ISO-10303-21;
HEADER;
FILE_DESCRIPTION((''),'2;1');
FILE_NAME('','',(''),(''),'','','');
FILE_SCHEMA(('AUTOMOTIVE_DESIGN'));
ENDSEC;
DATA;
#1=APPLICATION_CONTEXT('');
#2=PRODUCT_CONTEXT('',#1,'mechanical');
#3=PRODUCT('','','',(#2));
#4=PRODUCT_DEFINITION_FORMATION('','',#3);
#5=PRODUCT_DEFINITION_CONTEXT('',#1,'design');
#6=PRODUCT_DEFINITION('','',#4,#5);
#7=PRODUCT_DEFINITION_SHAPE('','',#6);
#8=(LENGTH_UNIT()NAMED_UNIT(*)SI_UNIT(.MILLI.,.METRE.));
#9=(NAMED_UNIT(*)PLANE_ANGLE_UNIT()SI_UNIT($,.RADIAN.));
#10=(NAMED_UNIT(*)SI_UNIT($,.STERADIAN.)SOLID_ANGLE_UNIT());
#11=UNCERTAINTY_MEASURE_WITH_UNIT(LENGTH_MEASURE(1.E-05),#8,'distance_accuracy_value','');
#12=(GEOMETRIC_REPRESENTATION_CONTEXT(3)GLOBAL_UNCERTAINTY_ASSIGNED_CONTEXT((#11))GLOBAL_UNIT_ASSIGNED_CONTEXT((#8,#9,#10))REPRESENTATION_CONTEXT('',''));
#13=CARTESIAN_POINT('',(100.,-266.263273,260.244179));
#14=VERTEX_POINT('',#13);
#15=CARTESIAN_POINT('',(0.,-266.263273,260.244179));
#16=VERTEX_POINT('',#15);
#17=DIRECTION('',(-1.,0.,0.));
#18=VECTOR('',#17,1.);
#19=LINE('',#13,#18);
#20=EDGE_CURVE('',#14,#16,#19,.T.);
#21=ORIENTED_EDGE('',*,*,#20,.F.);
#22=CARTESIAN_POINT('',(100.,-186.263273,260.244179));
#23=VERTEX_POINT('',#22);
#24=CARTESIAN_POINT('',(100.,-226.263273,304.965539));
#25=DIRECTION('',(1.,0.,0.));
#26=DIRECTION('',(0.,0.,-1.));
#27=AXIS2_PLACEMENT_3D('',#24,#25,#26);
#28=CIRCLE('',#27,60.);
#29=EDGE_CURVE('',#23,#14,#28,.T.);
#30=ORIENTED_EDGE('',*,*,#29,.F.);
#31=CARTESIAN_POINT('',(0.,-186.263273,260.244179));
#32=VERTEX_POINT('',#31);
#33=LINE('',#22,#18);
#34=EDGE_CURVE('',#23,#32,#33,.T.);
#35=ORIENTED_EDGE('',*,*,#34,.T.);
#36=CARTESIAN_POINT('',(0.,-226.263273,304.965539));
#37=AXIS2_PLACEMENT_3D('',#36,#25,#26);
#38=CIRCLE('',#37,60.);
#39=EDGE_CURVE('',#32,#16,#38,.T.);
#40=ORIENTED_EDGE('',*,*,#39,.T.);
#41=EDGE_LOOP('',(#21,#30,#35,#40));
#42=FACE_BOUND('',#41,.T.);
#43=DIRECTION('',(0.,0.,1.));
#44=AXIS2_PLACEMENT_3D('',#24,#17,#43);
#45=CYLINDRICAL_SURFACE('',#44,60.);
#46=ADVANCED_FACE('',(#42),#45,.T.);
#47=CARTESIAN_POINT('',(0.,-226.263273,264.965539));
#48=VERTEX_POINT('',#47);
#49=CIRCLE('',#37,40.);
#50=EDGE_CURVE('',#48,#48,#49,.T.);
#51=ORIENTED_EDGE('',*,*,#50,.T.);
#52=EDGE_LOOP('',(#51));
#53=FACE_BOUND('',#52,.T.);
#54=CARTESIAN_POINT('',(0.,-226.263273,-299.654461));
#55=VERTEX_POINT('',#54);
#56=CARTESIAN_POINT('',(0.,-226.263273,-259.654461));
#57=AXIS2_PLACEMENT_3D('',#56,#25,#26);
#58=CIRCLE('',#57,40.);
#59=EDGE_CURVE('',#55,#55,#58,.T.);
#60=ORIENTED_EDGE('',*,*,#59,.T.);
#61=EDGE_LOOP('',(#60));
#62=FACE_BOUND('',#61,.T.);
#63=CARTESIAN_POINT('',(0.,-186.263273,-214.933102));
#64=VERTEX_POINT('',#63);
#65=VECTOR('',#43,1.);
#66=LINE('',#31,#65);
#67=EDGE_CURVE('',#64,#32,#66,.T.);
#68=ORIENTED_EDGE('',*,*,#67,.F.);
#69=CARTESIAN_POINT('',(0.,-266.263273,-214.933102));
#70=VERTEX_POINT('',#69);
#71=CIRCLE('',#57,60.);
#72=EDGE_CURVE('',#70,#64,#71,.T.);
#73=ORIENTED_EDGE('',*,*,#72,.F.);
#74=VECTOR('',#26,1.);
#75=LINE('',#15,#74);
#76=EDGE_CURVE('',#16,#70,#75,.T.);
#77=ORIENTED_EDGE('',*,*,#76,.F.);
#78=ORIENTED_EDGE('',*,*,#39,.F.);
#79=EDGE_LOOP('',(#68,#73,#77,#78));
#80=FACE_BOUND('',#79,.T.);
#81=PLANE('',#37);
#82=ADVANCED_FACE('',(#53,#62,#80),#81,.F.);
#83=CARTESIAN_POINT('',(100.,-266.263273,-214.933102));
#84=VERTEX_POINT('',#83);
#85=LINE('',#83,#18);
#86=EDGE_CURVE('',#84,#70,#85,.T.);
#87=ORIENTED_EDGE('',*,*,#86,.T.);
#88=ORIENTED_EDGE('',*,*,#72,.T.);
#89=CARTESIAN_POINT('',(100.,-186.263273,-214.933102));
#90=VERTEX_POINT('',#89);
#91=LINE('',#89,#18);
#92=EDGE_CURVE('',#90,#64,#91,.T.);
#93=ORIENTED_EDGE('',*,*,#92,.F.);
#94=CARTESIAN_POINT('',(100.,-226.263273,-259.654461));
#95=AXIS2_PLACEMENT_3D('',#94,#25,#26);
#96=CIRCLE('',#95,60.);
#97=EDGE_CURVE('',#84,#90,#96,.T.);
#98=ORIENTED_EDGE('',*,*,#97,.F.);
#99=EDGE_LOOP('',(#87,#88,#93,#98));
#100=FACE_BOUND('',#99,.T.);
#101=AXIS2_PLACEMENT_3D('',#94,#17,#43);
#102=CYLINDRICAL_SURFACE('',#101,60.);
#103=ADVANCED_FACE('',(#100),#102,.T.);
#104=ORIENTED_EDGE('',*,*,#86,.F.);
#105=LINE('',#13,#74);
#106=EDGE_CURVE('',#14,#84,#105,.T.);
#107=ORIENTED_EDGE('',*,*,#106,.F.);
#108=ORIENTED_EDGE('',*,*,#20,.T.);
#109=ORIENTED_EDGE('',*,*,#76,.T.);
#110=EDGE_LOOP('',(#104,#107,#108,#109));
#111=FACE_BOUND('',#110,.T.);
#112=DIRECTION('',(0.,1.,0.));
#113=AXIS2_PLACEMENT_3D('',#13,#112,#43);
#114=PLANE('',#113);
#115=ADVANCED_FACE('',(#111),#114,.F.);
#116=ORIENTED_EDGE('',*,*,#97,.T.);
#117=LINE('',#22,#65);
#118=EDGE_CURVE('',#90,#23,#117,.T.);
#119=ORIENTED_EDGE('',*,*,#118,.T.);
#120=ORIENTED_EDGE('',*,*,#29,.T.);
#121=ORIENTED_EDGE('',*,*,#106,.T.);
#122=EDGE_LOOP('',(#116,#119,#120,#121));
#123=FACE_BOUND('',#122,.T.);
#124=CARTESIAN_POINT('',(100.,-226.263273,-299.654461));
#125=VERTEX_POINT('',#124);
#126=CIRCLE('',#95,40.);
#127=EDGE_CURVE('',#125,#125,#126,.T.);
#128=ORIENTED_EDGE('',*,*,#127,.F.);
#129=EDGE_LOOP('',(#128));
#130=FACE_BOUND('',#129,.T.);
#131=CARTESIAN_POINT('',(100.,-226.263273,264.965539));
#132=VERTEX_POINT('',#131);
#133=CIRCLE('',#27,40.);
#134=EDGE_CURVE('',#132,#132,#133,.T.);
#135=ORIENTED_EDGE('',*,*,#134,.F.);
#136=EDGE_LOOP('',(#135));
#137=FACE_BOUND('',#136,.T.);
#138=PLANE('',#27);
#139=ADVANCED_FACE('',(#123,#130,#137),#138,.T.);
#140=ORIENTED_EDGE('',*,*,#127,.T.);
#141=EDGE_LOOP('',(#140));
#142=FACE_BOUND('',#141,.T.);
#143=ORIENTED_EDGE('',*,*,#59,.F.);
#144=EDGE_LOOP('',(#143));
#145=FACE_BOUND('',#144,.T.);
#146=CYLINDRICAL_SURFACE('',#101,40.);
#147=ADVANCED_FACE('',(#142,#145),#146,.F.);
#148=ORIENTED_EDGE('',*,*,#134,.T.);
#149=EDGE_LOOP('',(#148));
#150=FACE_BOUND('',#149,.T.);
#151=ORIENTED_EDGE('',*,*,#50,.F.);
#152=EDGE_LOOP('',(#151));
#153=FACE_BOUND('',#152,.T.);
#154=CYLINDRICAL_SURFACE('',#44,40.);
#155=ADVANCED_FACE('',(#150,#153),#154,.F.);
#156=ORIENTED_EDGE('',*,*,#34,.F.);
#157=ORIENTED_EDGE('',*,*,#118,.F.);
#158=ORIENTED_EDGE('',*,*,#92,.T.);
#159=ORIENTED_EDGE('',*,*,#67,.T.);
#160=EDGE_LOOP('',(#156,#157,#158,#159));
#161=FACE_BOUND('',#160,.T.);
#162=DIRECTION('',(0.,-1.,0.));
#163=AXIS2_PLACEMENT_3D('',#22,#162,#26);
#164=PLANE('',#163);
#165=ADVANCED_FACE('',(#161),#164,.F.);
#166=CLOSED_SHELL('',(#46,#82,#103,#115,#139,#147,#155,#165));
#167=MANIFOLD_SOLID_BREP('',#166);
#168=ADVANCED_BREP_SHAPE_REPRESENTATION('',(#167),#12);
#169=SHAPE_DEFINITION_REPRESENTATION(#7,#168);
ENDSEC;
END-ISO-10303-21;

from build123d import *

# Parameters (mm, degrees)
LINKFRAME_R         = 40
BOSS_EXTRUDE1_DEPTH = 100


with BuildPart() as part:
    # LinkFrame → Boss-Extrude1 (new body)
    with BuildSketch(Plane(origin=(0, 0, 0), x_dir=(0, 0, -1), z_dir=(1, 0, 0))):
        with BuildLine():
            Line((-260.24417903, -186.263273145), (214.93310187, -186.263273145))
            ThreePointArc((214.93310187, -186.263273145), (319.65446142, -226.263273145), (214.93310187, -266.263273145))
            Line((214.93310187, -266.263273145), (-260.24417903, -266.263273145))
            ThreePointArc((-260.24417903, -266.263273145), (-364.96553858, -226.263273145), (-260.24417903, -186.263273145))
        make_face()
        with Locations((-304.96553858, -226.263273145)):
            Circle(LINKFRAME_R, mode=Mode.SUBTRACT)
        with Locations((259.65446142, -226.263273145)):
            Circle(LINKFRAME_R, mode=Mode.SUBTRACT)
    extrude(amount=BOSS_EXTRUDE1_DEPTH)


solid = part.part
